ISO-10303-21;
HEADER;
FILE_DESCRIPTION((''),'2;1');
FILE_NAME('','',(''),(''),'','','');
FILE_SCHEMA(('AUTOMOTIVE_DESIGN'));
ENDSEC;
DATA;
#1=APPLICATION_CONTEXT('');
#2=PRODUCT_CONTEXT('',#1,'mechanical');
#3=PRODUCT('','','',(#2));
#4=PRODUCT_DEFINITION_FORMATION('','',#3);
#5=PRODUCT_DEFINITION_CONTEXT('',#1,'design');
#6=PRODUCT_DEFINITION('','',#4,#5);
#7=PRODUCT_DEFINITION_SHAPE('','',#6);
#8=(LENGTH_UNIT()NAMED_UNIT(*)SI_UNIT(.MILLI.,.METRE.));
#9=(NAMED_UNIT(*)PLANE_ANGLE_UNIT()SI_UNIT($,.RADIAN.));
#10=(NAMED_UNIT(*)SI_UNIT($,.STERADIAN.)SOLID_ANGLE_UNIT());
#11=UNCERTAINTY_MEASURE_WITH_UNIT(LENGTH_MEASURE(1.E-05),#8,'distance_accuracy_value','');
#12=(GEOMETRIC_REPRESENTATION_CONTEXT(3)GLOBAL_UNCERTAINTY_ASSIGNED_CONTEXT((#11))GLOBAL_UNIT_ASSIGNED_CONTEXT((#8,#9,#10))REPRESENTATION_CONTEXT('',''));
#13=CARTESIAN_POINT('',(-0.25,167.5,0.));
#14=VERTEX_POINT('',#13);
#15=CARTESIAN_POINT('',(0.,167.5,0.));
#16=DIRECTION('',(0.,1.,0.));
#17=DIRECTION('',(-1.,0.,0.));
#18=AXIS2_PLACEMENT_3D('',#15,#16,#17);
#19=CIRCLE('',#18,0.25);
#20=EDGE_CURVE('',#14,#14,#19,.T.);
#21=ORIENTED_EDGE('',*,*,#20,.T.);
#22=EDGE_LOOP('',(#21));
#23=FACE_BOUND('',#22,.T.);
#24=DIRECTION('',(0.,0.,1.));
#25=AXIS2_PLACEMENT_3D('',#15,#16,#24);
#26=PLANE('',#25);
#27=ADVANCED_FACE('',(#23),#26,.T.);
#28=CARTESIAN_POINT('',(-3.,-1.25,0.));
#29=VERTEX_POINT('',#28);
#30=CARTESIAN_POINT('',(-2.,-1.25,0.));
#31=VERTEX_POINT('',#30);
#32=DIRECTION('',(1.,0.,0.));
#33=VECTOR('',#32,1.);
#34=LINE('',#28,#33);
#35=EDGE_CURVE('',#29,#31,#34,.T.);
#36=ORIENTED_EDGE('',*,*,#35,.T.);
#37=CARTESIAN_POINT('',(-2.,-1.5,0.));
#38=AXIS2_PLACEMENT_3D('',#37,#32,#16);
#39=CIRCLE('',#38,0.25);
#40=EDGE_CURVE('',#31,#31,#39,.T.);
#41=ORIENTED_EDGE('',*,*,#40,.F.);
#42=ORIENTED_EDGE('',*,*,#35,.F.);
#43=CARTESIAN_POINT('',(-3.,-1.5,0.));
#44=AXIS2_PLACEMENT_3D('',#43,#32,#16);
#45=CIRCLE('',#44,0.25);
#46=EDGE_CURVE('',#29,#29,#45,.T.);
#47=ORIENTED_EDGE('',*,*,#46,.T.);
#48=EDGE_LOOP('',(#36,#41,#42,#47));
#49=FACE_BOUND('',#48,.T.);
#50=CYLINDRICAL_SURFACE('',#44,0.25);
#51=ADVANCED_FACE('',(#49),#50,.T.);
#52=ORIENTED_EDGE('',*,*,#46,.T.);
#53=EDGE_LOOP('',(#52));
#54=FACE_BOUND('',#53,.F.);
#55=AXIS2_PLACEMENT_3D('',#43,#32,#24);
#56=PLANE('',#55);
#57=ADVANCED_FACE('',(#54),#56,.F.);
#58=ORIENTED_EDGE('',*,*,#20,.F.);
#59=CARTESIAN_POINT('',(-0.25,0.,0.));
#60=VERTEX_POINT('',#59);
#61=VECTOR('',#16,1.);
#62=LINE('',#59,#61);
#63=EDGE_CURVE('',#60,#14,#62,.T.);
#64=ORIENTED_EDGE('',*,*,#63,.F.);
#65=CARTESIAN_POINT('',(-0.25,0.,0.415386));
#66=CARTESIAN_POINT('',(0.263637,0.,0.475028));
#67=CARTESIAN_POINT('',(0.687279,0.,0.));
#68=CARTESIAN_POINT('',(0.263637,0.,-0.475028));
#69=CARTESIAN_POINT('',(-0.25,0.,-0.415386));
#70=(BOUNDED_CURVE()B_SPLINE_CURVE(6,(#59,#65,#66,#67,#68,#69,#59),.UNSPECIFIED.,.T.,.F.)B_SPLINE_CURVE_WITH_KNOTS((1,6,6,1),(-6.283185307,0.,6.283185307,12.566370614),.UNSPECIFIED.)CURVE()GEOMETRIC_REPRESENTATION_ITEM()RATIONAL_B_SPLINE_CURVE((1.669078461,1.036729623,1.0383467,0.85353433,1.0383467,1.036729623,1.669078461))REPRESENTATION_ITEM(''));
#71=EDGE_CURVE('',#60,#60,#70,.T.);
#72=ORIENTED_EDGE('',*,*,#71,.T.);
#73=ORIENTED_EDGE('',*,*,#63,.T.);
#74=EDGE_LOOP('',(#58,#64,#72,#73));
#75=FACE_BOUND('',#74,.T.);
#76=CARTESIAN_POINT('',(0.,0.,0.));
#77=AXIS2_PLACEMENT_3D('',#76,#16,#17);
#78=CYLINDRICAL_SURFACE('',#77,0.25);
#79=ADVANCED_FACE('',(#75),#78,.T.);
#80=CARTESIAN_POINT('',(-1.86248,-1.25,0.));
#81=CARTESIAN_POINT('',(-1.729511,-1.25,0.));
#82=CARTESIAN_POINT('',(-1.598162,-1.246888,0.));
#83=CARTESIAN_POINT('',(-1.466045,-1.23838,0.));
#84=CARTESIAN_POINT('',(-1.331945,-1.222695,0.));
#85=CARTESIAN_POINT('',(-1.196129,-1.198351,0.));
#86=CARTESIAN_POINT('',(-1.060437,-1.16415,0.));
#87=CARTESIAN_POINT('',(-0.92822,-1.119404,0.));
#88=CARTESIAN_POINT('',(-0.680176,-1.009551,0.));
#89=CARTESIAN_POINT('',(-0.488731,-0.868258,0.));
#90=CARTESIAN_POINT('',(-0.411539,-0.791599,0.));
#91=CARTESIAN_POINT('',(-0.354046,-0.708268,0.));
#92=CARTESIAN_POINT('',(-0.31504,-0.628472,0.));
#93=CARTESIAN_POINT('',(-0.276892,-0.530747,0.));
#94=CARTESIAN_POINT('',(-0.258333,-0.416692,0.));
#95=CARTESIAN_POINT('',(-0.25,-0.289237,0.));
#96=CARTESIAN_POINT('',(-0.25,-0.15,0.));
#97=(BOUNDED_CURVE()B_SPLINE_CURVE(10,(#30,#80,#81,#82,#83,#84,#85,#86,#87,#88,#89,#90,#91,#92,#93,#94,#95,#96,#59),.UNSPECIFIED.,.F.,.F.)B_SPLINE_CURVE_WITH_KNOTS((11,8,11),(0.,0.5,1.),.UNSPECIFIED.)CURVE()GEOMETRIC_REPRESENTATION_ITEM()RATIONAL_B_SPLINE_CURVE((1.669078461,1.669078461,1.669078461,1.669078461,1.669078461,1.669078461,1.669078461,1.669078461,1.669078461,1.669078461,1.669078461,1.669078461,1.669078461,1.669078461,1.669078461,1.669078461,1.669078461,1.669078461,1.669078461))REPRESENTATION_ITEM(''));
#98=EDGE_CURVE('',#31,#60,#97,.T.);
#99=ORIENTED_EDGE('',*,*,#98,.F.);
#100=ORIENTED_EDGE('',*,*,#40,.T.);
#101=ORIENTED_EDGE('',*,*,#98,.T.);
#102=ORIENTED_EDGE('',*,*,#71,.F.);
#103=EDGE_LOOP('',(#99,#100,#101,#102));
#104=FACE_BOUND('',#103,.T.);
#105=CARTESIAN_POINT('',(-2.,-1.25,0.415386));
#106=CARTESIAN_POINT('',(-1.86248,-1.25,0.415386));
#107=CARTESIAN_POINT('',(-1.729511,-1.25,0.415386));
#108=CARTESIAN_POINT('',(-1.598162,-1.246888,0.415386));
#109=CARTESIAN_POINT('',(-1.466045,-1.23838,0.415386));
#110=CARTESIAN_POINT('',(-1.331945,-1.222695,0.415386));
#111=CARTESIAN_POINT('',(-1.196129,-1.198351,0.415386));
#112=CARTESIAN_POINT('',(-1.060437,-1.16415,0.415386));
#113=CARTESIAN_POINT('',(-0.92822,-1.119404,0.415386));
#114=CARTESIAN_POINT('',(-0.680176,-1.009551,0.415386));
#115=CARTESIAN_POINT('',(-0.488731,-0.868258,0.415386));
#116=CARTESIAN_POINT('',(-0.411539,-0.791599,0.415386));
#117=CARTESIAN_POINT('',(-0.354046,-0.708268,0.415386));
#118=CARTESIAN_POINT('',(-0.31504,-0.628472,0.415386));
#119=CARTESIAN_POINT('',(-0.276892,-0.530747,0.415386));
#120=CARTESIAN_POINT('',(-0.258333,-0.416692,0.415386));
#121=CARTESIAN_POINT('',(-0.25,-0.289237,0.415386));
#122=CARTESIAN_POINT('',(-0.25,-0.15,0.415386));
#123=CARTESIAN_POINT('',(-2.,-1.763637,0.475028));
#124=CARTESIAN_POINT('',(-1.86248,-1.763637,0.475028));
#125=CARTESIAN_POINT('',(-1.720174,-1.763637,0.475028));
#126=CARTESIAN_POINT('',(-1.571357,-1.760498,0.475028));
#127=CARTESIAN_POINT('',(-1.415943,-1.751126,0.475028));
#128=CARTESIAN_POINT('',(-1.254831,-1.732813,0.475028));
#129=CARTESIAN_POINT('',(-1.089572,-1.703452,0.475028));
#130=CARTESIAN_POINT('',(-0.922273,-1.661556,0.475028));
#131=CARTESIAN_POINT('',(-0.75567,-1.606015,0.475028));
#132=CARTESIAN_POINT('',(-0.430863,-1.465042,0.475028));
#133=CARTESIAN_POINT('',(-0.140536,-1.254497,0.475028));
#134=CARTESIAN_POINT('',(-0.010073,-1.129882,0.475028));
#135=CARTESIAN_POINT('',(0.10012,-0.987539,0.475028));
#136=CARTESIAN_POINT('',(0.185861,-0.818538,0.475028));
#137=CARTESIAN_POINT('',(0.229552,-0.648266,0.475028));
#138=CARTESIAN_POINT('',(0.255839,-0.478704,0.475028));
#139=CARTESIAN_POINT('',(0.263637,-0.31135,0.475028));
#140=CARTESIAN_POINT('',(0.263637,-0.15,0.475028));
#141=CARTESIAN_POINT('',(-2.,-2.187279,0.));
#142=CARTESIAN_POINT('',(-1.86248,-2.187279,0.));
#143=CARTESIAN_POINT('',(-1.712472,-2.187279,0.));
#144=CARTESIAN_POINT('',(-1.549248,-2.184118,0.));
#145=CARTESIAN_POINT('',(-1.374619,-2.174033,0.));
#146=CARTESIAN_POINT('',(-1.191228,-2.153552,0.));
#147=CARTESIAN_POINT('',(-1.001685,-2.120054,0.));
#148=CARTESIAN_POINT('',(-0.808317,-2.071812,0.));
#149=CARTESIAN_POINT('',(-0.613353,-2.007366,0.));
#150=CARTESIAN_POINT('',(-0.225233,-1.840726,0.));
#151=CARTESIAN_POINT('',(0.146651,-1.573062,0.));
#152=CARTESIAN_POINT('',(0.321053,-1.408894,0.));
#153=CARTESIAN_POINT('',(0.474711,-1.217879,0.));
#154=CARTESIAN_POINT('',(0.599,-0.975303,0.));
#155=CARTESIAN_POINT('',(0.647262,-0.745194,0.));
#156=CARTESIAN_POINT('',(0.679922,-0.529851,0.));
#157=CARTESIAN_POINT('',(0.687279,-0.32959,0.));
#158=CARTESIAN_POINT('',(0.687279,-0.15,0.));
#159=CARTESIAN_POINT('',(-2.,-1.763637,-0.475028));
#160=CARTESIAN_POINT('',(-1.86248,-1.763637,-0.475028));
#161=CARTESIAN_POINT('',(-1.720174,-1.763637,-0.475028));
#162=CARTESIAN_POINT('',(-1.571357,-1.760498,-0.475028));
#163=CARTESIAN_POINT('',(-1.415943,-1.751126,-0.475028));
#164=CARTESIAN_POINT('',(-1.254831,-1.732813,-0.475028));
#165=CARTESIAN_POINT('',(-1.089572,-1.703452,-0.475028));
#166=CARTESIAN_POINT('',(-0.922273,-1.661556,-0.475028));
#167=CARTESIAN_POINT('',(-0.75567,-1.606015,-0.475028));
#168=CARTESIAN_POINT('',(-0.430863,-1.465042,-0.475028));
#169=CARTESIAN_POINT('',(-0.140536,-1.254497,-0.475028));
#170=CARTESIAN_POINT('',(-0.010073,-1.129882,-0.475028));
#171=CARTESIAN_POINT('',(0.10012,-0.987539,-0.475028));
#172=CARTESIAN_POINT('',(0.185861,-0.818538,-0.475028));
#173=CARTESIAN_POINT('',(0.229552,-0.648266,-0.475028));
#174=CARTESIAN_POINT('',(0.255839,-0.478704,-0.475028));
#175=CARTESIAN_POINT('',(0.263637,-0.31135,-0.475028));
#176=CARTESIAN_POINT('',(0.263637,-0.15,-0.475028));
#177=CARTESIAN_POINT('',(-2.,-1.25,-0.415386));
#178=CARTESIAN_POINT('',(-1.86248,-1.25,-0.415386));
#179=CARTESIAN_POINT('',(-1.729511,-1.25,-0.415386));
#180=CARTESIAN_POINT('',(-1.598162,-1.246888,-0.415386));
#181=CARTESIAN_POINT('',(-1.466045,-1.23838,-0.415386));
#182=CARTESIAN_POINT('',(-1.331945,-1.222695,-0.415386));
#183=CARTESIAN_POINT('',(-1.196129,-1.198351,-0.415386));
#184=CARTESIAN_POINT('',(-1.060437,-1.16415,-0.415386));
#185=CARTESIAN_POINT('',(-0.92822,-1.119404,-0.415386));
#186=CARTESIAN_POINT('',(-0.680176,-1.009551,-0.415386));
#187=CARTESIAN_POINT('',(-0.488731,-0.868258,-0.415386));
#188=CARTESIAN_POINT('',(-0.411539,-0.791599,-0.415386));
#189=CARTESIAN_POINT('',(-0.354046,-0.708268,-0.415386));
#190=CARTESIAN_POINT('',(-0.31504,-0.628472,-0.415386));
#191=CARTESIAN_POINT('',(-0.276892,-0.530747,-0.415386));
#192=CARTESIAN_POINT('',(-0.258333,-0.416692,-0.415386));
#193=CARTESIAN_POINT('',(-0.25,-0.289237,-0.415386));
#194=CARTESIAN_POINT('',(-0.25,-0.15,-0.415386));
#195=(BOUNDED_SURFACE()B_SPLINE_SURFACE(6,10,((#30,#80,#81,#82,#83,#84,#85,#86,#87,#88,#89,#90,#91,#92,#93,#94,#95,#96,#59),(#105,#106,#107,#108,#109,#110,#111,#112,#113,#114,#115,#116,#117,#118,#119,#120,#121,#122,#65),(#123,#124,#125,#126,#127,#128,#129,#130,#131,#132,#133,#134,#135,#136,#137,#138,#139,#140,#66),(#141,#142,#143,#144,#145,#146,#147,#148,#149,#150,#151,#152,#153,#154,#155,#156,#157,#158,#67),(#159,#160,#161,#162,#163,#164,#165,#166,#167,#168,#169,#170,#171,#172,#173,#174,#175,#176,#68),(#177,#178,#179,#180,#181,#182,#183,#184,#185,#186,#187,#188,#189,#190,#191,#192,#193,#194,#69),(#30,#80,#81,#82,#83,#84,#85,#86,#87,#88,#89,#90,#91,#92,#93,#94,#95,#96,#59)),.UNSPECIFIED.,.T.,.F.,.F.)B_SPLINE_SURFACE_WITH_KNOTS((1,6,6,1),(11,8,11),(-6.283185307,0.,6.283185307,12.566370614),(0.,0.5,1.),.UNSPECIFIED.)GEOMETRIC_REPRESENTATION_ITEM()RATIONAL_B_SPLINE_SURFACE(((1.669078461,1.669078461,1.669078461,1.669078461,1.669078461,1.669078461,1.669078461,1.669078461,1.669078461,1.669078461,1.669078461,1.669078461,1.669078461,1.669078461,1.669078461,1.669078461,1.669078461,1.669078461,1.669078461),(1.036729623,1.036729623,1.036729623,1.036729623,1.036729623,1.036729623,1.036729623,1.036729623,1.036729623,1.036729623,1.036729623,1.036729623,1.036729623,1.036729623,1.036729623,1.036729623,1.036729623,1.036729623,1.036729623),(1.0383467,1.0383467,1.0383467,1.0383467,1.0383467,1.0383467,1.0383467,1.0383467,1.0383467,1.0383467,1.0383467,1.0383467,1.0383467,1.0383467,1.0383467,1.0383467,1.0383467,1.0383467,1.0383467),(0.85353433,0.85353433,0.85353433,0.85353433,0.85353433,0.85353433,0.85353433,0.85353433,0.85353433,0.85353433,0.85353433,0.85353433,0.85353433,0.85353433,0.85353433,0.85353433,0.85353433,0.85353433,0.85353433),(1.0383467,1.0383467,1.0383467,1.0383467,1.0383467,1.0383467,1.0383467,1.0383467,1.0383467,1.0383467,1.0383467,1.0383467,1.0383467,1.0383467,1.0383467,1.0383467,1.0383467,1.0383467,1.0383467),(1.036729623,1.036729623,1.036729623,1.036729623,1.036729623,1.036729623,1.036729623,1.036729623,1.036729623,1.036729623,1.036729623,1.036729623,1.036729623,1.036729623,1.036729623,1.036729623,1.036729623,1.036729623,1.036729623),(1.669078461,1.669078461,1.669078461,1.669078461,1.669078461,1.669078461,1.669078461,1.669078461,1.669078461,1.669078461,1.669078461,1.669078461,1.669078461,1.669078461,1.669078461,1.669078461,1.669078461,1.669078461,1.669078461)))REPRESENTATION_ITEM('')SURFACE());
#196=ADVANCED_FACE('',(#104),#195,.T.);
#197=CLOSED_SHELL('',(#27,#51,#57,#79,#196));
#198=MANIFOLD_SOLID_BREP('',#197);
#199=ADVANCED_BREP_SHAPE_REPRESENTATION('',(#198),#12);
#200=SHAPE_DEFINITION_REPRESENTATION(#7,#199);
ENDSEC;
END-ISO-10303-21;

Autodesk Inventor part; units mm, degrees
ref_plane "YZ Plane" through (0, 0, 0) normal (1, 0, 0) x (0, 1, 0)
ref_plane "XZ Plane" through (0, 0, 0) normal (0, 1, 0) x (-1, 0, 0)
ref_plane "XY Plane" through (0, 0, 0) normal (0, 0, 1) x (1, 0, 0)
sketch "Sketch1" plane through (0, 0, 0) normal (0, 0, 1) x (1, 0, 0)
  line L0 (-3, -1.5) -> (-2, -1.5)
  line L1 (0, 0) -> (0, 167.5)
  spline S0 degree 4 poles (0, 0) (0, -0.375) (0, -1.125) (-0.9687, -1.5) (-1.6562, -1.5) (-2, -1.5) knots 0 0 0 0 0 0.5 1 1 1 1 1
  dimension "d0" = 1
  dimension "d1" = 2
  dimension "d2" = 1.5
  dimension "d18" = 169
sketch "Sketch3" plane through (0, 0, 0) normal (0, 1, 0) x (-1, 0, 0)
  circle A0 centre (0, 0) radius 0.25
  dimension "d7" = 0.5
sweep "Sweep2" add profiles "Sketch3" path "Sketch1"
properties part number "+XPanel_AntennaDeployed" material "Titanium"
